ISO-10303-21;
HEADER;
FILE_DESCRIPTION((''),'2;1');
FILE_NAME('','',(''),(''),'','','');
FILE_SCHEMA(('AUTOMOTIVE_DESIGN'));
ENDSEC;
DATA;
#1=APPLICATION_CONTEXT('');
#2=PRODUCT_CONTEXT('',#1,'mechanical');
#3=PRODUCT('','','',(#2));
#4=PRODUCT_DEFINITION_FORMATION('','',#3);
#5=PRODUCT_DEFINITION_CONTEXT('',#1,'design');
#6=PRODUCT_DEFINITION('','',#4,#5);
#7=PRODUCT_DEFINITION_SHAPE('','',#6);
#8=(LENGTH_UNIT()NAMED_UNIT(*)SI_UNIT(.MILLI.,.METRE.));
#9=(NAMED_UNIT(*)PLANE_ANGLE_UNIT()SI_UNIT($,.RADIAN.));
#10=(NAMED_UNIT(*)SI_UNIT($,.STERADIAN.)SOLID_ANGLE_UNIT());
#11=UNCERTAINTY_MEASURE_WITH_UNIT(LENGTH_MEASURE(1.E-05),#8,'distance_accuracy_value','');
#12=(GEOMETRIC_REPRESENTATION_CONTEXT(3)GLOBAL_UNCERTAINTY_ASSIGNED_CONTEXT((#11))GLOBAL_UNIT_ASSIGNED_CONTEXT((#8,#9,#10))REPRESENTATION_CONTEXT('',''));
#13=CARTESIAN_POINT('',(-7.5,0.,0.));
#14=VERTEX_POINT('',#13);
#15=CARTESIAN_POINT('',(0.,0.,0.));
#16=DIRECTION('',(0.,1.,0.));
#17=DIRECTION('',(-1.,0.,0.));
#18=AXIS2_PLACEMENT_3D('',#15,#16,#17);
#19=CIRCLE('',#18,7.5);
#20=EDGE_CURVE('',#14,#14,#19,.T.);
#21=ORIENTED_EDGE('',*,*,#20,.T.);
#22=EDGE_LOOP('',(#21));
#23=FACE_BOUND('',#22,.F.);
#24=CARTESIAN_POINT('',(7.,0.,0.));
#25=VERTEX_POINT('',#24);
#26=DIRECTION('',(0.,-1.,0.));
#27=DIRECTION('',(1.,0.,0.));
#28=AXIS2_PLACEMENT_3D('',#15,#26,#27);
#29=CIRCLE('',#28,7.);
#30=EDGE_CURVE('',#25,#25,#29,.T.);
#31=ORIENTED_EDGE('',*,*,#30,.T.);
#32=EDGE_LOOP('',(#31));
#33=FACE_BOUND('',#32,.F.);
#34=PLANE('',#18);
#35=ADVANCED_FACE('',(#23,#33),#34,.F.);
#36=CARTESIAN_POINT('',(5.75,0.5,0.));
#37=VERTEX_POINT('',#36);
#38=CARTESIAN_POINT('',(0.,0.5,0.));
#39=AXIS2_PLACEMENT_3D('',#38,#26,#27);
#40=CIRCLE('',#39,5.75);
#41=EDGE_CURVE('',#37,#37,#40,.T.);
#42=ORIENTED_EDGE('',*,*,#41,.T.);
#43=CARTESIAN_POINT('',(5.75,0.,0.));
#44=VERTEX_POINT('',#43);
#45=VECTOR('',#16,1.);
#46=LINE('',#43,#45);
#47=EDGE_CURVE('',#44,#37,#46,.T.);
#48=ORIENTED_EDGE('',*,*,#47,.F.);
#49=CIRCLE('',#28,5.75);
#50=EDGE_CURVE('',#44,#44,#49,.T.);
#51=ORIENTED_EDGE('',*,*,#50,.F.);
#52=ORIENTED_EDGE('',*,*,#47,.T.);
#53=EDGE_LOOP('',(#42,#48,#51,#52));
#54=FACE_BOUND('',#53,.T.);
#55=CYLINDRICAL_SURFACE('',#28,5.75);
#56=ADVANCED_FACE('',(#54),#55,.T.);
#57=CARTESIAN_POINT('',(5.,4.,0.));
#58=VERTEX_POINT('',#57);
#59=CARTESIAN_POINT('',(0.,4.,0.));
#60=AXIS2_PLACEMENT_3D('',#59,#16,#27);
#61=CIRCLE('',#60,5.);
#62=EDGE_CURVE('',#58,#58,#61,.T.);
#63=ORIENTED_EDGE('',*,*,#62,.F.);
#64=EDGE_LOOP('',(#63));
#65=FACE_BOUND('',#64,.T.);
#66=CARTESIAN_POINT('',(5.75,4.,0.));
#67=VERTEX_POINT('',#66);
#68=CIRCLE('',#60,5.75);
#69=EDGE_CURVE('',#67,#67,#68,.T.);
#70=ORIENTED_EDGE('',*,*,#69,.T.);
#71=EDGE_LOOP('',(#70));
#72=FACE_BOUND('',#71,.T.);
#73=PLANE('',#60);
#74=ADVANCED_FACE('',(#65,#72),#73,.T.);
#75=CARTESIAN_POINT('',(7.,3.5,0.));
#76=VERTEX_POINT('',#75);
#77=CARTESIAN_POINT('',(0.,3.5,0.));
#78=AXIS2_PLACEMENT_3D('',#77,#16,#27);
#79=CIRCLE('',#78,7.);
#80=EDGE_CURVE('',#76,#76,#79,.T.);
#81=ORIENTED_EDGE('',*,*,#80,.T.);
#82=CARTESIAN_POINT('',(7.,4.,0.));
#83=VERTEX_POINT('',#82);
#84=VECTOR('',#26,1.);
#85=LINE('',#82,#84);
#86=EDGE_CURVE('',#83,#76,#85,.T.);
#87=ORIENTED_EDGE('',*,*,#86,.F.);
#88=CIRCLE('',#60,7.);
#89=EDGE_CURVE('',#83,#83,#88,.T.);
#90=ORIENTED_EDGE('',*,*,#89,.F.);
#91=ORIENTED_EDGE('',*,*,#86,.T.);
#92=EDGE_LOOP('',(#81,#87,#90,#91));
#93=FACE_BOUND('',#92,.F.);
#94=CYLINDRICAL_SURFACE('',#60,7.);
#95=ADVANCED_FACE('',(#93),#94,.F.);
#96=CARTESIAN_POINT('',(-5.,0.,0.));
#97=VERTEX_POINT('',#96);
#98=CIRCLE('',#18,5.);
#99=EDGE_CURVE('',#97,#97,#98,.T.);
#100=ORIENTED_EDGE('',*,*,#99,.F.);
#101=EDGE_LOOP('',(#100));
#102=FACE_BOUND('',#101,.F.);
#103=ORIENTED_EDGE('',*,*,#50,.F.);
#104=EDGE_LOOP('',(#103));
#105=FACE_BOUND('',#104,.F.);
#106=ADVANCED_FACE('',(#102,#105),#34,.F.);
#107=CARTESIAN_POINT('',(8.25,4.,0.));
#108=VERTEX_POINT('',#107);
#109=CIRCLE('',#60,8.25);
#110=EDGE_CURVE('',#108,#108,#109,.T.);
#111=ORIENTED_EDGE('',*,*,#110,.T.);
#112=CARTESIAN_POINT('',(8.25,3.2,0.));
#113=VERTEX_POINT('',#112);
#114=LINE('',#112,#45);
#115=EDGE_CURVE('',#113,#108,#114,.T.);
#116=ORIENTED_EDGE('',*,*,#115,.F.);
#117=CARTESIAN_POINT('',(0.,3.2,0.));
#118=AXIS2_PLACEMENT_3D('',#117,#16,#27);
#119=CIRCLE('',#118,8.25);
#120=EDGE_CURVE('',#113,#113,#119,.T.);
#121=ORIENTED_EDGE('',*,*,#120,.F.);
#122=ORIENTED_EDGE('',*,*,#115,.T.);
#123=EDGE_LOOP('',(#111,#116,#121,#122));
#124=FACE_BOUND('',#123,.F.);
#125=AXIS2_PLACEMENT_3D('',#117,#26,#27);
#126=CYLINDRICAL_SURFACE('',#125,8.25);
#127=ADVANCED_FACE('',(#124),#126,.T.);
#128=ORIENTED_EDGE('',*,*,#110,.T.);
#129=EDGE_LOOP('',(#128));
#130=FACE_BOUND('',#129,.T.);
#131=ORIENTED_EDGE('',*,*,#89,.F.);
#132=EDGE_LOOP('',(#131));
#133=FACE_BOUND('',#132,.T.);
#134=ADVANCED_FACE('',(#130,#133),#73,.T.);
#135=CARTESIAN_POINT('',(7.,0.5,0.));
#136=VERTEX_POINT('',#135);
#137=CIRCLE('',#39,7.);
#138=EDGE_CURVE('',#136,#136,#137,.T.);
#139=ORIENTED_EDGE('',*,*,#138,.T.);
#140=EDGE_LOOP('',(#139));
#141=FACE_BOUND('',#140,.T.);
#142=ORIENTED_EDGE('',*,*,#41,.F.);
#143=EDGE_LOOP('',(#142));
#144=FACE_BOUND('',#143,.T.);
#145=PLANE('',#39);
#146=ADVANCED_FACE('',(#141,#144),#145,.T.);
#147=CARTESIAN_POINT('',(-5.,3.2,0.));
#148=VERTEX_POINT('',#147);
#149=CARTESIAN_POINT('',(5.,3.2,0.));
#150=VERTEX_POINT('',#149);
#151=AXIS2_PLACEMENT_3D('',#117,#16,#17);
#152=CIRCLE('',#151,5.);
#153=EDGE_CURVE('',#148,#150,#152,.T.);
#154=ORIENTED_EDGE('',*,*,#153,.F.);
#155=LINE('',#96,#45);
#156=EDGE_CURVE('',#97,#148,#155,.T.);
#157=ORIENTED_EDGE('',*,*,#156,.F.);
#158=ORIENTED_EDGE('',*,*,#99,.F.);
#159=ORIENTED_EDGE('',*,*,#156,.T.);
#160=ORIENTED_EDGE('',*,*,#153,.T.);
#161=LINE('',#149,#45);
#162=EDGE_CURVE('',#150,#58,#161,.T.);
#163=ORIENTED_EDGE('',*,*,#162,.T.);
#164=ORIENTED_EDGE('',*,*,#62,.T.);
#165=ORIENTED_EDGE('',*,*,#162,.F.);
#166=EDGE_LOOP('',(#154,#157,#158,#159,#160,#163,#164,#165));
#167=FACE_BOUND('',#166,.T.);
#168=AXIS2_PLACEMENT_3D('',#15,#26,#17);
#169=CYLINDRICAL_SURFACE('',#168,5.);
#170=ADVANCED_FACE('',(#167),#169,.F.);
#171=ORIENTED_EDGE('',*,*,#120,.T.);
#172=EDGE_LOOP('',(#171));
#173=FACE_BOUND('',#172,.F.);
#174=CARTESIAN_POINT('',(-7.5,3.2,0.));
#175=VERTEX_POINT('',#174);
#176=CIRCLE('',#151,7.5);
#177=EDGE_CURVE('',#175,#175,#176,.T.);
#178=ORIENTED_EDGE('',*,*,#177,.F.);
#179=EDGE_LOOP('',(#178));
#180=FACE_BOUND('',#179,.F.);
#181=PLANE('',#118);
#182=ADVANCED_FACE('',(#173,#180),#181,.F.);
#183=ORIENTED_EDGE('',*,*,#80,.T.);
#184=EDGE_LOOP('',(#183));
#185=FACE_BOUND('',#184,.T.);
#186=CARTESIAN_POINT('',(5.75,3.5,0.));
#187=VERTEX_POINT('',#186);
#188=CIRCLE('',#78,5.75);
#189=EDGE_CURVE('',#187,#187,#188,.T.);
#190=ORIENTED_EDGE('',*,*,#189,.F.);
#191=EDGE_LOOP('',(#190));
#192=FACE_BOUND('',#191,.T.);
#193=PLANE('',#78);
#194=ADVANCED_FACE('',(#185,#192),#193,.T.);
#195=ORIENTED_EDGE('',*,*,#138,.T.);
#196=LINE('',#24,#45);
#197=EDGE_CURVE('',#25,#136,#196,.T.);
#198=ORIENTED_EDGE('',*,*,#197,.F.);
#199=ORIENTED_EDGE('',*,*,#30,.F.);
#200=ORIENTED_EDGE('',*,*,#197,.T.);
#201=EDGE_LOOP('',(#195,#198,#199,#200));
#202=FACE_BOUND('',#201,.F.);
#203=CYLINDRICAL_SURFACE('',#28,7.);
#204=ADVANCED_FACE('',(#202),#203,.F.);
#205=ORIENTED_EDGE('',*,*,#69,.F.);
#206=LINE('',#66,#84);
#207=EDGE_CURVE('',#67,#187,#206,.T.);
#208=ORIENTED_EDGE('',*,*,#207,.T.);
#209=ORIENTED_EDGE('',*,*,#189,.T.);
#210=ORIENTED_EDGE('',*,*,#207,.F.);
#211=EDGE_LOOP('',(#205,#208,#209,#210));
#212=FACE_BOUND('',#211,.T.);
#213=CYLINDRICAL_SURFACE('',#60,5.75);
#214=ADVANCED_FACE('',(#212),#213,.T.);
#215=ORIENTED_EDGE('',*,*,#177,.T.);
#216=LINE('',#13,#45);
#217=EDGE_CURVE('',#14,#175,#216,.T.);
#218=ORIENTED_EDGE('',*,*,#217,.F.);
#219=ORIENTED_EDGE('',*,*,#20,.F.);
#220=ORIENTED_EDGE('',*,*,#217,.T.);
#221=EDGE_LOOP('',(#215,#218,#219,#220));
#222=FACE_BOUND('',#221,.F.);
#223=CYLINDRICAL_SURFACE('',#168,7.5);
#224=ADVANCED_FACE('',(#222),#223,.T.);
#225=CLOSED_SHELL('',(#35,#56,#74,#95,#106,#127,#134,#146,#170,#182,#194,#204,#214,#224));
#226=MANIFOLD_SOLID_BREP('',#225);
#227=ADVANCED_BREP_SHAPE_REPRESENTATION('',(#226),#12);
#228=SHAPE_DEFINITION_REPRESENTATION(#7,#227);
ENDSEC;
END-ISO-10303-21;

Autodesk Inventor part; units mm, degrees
ref_plane "YZ Plane" through (0, 0, 0) normal (1, 0, 0) x (0, 1, 0)
ref_plane "XZ Plane" through (0, 0, 0) normal (0, 1, 0) x (-1, 0, 0)
ref_plane "XY Plane" through (0, 0, 0) normal (0, 0, 1) x (1, 0, 0)
sketch "Sketch1" plane through (0, 0, 0) normal (0, 1, 0) x (-1, 0, 0)
  circle A0 centre (0, 0) radius 5
  circle A1 centre (0, 0) radius 7.5
  dimension "d0" = 10
  dimension "d1" = 15
extrude "Extrusion1" add sketch "Sketch1" along normal blind 3.2
sketch "Sketch2" plane through (0, 3.2, 0) normal (0, 1, 0) x (1, 0, 0)
  circle A0 centre (0, 0) radius 5 projected
  circle A1 centre (0, 0) radius 8.25
  dimension "d4" = 16.5
extrude "Extrusion2" add sketch "Sketch2" along normal blind 0.8
sketch "Sketch3" plane through (0, 4, 0) normal (0, 1, 0) x (1, 0, 0)
  circle A0 centre (0, 0) radius 5.75
  circle A1 centre (0, 0) radius 7
  dimension "d7" = 11.5
  dimension "d8" = 14
extrude "Extrusion3" cut sketch "Sketch3" against normal blind 0.5
sketch "Sketch4" plane through (0, 0, 0) normal (0, -1, 0) x (1, 0, 0)
  circle A0 centre (0, 0) radius 7 projected
  circle A1 centre (0, 0) radius 5.75 projected
extrude "Extrusion4" cut sketch "Sketch4" against normal blind 0.5
properties part number "10x15x4mm Flanged Bearing"
